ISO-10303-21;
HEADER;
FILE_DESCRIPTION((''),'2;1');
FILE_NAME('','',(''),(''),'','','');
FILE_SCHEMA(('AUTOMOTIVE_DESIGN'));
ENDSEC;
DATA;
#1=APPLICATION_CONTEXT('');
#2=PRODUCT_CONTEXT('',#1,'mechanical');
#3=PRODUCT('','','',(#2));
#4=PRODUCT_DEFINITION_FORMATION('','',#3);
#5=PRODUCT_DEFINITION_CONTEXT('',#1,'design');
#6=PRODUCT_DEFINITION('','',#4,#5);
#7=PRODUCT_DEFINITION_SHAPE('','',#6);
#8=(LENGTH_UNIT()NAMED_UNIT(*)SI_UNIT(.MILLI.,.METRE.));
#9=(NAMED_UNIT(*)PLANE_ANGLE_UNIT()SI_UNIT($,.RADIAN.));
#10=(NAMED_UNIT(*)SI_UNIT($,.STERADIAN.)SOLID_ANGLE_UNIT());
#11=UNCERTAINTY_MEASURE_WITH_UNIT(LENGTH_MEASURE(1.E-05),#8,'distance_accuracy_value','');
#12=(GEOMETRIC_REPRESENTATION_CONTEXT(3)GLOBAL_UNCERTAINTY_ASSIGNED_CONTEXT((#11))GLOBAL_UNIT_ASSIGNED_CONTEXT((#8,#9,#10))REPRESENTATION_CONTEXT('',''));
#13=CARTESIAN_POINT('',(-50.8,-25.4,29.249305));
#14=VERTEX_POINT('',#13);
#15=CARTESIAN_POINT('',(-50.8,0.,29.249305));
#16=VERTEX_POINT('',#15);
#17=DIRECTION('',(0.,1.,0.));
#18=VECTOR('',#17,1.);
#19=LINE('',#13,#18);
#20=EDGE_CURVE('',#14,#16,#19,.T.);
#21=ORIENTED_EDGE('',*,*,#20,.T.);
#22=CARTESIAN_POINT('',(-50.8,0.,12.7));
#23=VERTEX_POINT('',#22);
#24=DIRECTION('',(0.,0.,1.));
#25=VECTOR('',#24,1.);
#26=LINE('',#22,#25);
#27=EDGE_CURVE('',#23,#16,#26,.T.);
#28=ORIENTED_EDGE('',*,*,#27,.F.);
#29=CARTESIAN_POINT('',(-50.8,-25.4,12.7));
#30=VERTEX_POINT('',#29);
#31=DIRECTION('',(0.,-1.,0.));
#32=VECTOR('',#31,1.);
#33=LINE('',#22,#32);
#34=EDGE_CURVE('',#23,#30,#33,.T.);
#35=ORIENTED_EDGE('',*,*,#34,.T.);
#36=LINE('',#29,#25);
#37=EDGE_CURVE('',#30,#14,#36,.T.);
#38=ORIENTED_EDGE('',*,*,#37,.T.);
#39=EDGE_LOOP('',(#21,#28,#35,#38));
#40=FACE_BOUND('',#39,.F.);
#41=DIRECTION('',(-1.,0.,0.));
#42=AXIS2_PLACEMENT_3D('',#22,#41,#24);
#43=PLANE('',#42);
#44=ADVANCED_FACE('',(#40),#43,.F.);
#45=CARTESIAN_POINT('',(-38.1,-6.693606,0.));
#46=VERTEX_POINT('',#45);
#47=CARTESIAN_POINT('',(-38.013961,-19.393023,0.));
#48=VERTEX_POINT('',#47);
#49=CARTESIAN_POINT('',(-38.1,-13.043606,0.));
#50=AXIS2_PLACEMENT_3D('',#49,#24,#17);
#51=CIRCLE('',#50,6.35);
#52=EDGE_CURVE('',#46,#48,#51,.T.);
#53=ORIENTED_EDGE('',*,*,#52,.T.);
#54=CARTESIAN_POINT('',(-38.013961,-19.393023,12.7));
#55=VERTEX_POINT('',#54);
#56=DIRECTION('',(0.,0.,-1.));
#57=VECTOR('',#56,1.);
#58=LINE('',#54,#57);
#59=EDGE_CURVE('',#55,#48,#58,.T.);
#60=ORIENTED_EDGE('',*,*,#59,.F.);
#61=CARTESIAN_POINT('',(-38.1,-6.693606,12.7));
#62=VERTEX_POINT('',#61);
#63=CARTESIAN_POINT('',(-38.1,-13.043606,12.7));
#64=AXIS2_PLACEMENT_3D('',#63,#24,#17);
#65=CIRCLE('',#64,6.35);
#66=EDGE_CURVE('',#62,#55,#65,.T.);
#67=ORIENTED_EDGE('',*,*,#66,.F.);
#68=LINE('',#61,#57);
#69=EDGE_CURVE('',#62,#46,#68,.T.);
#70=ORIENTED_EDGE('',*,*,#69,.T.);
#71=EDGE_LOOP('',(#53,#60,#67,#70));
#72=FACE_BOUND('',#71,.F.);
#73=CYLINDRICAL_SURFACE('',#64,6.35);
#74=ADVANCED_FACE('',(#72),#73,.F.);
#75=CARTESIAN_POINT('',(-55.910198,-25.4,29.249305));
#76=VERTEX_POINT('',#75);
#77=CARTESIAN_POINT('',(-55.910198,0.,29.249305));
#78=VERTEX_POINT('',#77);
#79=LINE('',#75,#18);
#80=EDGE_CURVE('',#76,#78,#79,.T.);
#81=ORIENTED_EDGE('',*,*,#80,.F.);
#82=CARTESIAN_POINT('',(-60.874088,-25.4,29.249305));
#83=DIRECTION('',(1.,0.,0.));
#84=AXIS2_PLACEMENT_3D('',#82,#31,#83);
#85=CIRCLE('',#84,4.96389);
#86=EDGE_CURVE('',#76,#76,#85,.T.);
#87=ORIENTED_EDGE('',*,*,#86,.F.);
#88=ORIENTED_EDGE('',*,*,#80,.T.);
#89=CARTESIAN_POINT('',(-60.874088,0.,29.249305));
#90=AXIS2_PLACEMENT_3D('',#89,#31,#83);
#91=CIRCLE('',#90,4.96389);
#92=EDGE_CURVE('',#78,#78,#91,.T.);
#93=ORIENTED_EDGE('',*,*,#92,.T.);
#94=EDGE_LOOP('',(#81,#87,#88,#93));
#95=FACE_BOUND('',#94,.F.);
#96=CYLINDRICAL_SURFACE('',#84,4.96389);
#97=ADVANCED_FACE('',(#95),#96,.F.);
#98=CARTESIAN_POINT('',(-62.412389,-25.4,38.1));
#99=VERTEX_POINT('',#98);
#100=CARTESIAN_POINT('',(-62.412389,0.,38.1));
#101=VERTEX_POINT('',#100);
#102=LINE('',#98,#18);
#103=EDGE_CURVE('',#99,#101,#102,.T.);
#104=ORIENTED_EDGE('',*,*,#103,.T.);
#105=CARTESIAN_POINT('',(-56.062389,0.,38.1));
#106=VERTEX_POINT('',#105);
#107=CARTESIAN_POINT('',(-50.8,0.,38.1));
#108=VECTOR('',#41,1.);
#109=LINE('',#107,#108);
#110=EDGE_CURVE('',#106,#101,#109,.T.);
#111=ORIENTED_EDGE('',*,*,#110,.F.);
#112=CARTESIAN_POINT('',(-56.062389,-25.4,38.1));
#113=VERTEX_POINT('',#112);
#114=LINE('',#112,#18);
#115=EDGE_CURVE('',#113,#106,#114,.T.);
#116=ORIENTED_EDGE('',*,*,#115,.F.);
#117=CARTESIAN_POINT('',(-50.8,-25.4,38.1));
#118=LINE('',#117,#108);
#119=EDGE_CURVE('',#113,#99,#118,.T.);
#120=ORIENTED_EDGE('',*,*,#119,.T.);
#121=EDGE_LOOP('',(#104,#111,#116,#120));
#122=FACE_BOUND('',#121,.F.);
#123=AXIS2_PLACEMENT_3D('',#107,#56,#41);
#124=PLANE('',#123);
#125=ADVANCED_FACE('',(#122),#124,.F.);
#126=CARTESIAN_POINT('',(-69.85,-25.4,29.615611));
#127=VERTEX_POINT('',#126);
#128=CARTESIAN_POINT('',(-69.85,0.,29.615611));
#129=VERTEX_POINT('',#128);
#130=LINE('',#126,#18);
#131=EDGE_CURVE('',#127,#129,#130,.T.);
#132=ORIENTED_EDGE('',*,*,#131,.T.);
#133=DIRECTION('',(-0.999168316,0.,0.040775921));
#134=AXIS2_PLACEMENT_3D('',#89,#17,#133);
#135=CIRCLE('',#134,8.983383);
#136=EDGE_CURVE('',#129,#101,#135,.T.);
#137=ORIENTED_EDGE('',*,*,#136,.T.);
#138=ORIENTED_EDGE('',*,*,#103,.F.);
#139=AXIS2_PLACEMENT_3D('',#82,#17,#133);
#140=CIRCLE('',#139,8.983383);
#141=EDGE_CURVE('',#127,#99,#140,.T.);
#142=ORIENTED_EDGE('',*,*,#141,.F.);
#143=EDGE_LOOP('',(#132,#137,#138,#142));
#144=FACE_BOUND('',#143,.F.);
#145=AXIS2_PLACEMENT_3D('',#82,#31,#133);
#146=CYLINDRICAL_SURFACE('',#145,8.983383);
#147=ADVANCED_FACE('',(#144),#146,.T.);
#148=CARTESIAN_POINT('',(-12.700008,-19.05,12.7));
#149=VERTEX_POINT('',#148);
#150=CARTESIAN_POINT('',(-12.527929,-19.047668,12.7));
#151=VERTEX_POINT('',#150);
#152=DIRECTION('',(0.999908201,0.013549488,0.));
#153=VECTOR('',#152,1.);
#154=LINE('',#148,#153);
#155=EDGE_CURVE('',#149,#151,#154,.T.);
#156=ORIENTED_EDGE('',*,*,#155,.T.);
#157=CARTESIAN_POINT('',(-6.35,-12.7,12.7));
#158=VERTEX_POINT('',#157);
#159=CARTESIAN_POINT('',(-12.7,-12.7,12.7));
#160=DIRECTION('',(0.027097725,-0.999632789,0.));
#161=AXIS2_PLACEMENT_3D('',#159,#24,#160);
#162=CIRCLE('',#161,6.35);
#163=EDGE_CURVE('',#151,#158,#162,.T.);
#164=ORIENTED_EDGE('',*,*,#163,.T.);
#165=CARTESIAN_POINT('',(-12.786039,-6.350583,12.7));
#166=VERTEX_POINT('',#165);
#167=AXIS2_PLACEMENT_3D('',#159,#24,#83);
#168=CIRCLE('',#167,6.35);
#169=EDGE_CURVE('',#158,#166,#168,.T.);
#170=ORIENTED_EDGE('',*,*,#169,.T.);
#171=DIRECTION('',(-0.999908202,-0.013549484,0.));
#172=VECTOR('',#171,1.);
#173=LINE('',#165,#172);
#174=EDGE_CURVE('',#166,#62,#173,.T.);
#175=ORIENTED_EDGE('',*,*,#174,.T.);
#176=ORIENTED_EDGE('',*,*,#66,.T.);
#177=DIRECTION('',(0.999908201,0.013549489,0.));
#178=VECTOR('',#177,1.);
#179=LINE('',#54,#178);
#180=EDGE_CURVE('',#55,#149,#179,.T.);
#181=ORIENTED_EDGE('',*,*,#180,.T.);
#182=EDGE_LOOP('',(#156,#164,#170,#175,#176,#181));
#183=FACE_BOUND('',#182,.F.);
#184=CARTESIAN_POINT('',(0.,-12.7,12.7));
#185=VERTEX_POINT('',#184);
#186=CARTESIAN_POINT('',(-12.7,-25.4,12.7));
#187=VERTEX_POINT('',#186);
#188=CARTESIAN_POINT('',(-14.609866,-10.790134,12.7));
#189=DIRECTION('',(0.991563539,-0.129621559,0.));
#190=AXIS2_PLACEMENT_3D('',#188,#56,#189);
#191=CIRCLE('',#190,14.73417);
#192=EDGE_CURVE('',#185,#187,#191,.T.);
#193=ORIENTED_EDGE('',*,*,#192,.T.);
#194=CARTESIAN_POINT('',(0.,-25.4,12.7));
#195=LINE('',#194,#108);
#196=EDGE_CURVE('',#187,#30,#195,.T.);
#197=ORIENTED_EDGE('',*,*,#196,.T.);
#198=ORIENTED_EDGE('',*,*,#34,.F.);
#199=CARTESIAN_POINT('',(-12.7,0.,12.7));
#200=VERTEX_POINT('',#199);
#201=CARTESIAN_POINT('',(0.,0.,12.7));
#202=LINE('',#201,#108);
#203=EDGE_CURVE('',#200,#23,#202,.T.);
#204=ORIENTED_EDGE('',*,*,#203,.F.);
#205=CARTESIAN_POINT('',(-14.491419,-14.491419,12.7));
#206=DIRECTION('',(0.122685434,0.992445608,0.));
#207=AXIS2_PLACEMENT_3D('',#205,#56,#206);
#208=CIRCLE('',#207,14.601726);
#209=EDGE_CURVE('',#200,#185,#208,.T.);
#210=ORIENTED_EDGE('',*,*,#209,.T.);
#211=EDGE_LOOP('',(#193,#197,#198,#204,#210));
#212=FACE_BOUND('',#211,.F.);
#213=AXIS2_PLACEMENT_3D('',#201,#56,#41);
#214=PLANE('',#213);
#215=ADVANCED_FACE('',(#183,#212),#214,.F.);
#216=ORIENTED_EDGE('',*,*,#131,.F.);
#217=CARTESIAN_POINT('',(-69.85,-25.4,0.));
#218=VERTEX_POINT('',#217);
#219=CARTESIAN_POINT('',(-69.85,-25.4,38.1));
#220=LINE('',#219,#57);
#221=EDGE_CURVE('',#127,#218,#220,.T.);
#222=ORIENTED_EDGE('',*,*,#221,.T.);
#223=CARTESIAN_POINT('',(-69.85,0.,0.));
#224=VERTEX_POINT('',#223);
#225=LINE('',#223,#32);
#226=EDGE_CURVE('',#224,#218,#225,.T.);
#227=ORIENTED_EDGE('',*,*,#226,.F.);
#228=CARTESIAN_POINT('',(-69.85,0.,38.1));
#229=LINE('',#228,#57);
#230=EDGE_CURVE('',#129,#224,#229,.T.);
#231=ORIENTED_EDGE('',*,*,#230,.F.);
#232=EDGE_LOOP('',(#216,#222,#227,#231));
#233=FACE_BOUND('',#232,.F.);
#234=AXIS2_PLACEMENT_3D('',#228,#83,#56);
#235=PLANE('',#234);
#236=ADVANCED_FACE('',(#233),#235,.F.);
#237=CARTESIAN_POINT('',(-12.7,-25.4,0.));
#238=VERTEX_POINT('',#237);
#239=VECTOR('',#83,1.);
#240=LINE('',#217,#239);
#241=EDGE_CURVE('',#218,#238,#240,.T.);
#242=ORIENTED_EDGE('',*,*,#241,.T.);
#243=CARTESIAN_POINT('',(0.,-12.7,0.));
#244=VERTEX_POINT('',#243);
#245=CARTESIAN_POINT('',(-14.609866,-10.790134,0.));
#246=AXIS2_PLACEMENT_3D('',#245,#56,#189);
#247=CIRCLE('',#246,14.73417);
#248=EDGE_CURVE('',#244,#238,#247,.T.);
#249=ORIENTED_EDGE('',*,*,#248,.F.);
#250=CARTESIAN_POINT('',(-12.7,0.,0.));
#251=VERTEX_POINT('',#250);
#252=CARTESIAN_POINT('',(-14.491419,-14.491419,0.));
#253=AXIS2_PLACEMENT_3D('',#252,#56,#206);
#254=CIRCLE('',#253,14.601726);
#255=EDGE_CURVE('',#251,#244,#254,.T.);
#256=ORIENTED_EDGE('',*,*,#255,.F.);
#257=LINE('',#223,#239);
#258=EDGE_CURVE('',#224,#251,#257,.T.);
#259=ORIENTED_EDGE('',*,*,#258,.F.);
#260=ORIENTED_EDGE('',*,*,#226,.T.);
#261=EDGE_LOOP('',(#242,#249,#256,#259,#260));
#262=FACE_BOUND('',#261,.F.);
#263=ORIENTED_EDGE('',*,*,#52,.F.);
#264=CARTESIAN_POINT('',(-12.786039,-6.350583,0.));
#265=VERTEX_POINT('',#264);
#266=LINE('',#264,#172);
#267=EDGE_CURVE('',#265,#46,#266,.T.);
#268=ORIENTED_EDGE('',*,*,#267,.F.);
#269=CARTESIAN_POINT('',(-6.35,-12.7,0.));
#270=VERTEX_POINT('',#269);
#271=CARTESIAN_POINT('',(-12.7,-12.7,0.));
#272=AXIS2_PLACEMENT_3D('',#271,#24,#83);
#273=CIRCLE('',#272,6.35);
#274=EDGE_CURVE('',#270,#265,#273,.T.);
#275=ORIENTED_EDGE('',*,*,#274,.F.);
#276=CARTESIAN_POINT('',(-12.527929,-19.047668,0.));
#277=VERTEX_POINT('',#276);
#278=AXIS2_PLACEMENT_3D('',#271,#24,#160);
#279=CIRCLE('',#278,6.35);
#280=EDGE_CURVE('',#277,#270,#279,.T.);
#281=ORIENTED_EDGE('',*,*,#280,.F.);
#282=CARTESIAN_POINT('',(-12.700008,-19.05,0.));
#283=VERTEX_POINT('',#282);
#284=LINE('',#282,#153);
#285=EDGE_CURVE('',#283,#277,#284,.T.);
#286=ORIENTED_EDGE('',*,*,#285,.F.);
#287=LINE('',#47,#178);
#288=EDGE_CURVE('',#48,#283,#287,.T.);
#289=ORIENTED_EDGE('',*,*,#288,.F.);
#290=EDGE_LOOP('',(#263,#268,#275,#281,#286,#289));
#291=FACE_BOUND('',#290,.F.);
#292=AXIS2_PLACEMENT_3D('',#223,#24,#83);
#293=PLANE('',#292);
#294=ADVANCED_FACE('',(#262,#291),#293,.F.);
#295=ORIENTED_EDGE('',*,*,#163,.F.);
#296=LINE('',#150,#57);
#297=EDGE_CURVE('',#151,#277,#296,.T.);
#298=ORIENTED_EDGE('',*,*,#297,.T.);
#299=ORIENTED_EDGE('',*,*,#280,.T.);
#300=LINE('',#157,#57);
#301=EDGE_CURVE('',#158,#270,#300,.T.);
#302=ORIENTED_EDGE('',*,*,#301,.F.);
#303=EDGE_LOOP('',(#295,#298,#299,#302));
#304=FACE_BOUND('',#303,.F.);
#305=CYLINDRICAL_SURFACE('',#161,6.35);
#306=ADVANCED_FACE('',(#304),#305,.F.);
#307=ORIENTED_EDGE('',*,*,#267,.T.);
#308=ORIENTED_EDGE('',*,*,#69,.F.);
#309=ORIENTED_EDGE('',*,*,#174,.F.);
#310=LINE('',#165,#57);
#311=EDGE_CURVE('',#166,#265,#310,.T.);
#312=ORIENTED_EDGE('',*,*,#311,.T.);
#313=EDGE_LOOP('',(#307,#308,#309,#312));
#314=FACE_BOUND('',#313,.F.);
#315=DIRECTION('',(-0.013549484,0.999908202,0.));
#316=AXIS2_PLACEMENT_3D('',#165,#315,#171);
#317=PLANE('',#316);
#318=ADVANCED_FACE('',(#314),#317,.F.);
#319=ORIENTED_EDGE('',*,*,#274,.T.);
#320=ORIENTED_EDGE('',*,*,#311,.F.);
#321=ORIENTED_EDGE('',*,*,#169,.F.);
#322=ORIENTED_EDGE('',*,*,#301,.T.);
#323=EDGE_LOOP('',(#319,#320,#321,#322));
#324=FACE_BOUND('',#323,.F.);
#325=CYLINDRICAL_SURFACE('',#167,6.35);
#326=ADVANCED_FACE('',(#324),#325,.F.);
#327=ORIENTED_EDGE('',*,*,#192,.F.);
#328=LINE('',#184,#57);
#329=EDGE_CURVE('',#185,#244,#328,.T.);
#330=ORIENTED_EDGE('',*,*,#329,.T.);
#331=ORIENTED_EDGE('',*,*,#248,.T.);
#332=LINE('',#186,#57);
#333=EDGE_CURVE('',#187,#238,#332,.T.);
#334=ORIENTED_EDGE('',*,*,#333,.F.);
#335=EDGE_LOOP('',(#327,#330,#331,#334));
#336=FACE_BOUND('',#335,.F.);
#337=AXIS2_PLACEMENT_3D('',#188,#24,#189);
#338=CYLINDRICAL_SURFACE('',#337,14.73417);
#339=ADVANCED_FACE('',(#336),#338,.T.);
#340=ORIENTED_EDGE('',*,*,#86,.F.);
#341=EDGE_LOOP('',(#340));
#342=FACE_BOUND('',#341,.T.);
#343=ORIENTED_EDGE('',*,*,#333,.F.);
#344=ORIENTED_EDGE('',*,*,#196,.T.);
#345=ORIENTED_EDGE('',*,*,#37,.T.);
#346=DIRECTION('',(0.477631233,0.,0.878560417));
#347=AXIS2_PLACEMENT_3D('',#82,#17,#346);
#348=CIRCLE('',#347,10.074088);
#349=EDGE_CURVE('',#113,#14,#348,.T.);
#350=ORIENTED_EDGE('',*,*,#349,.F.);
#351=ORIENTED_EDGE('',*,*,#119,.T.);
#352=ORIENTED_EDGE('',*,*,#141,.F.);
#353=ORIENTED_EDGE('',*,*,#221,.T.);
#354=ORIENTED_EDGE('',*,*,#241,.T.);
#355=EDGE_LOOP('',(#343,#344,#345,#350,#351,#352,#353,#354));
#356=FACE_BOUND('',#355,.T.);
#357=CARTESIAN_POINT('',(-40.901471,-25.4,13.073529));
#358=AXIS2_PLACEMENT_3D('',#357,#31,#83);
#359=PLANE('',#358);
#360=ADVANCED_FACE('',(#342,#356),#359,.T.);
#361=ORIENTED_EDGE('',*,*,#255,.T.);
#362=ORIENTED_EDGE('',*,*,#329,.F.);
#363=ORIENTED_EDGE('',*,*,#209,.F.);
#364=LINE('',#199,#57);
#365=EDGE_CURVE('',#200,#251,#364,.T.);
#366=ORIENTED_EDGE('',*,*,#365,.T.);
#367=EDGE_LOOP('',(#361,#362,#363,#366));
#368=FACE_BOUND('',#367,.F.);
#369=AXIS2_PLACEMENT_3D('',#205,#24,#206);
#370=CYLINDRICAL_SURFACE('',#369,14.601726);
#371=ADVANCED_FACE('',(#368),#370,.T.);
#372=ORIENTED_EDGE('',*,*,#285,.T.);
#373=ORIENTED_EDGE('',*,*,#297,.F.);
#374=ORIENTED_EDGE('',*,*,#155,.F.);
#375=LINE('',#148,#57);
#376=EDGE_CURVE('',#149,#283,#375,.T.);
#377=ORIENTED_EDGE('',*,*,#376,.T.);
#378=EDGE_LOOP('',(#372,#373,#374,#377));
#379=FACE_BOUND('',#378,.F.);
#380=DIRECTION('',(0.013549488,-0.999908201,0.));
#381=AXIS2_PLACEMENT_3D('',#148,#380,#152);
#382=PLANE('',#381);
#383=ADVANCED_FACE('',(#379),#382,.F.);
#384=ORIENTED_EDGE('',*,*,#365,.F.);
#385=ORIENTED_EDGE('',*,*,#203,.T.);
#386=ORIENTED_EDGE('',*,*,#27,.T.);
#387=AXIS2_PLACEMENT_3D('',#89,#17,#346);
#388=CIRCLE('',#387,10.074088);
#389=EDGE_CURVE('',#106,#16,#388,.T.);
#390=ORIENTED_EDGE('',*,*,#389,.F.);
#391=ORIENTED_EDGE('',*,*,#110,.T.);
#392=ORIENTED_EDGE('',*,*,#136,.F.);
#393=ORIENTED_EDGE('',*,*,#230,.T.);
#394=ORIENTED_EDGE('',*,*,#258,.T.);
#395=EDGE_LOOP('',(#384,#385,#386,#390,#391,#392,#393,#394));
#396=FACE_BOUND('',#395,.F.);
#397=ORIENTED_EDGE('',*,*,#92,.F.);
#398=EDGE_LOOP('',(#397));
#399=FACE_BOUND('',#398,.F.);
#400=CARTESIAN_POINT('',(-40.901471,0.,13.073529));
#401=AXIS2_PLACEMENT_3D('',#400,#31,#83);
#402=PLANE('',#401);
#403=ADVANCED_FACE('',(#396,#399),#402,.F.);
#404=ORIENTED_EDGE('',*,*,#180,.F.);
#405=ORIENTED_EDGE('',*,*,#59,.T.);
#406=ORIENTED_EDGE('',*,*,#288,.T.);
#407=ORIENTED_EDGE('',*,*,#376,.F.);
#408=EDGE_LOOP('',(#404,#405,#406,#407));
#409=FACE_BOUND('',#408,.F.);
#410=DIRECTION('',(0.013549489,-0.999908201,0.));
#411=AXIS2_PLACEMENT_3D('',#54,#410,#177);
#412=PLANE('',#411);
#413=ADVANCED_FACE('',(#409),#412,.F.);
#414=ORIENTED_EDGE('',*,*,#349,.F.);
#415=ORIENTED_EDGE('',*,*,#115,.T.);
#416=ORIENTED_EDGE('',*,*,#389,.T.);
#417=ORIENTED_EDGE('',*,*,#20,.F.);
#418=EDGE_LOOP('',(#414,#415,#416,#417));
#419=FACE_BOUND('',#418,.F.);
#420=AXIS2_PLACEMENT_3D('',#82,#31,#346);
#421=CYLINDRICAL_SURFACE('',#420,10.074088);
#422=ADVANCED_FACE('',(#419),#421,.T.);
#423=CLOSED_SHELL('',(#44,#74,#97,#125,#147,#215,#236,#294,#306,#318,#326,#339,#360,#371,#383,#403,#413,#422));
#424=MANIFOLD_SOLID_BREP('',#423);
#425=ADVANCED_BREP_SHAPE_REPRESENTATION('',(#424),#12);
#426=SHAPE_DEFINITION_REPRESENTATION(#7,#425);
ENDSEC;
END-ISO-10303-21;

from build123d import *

# Parameters (mm, degrees)
F1_DEPTH = 25.4
F3_DEPTH = 12.7
F5_DEPTH = 12.7
F7_DEPTH = 25.4
F8_R     = 4.9638904574
F9_DEPTH = 25.4


with BuildPart() as f1:
    # F0 (on Front) → F1 (new body)
    with BuildSketch(Plane.XZ):
        Polygon((-69.85, 38.1), (-69.85, 0), (0, 0), (0, 12.7), (-50.8, 12.7), (-50.8, 38.1), align=None)
    extrude(amount=F1_DEPTH)

    # F2 (on face) → F3 (cut)
    with BuildSketch(Plane.XY.offset(12.7)):
        with BuildLine():
            ThreePointArc((-12.7, 0), (-4.1664394472, -4.1664394472), (0, -12.7))
            Line((0, -12.7), (0, 0))
            Line((0, 0), (-12.7, 0))
        make_face()
        with BuildLine():
            Line((0, -25.4), (0, -12.7))
            ThreePointArc((0, -12.7), (-4.1912343362, -21.2087656638), (-12.7, -25.4))
            Line((-12.7, -25.4), (0, -25.4))
        make_face()
    extrude(amount=-F3_DEPTH, mode=Mode.SUBTRACT)

    # F4 (on face) → F5 (cut)
    with BuildSketch(Plane.XY.offset(12.7)):
        with BuildLine():
            ThreePointArc((-38.0139607827, -19.3930226044), (-33.5795548322, -17.5032103821), (-31.75, -13.0436055246))
            ThreePointArc((-31.75, -13.0436055246), (-33.6098719395, -8.5534774641), (-38.1, -6.6936055246))
            ThreePointArc((-38.1, -6.6936055246), (-44.4498542683, -13.0866261206), (-38.0139607827, -19.3930226044))
        make_face()
        with BuildLine():
            ThreePointArc((-38.1, -6.6936055246), (-33.6098719395, -8.5534774641), (-31.75, -13.0436055246))
            ThreePointArc((-31.75, -13.0436055246), (-33.5795548322, -17.5032103821), (-38.0139607827, -19.3930226044))
            Line((-38.0139607827, -19.3930226044), (-12.7000078464, -19.05))
            ThreePointArc((-12.7000078464, -19.05), (-19.049854295, -12.7430166511), (-12.7860391738, -6.3505829196))
            Line((-12.7860391738, -6.3505829196), (-38.1, -6.6936055246))
        make_face()
        with BuildLine():
            ThreePointArc((-6.35, -12.7), (-8.240395127, -8.1795548475), (-12.7860391738, -6.3505829196))
            ThreePointArc((-12.7860391738, -6.3505829196), (-19.049854295, -12.7430166511), (-12.7000078464, -19.05))
            Line((-12.7000078464, -19.05), (-12.5279294485, -19.0476682117))
            ThreePointArc((-12.5279294485, -19.0476682117), (-8.1494424516, -17.1288741232), (-6.35, -12.7))
        make_face()
    extrude(amount=-F5_DEPTH, mode=Mode.SUBTRACT)

    # F6 (on face) → F7 (cut)
    with BuildSketch(Plane.XZ.offset(25.4)):
        with BuildLine():
            Line((-69.85, 38.1), (-69.85, 29.6156106257))
            ThreePointArc((-69.85, 29.6156106257), (-67.6293367073, 35.171111242), (-62.4123890172, 38.1))
            Line((-62.4123890172, 38.1), (-69.85, 38.1))
        make_face()
        with BuildLine():
            Line((-50.8, 38.1), (-56.0623890172, 38.1))
            ThreePointArc((-56.0623890172, 38.1), (-52.2149677191, 34.3977887072), (-50.8, 29.2493049055))
            Line((-50.8, 29.2493049055), (-50.8, 38.1))
        make_face()
    extrude(amount=-F7_DEPTH, mode=Mode.SUBTRACT)

    # F8 (on face) → F9 (cut)
    with BuildSketch(Plane.XZ.offset(25.4)):
        with Locations((-60.8740881639, 29.2493049055)):
            Circle(F8_R)
    extrude(amount=-F9_DEPTH, mode=Mode.SUBTRACT)


solid = f1.part
